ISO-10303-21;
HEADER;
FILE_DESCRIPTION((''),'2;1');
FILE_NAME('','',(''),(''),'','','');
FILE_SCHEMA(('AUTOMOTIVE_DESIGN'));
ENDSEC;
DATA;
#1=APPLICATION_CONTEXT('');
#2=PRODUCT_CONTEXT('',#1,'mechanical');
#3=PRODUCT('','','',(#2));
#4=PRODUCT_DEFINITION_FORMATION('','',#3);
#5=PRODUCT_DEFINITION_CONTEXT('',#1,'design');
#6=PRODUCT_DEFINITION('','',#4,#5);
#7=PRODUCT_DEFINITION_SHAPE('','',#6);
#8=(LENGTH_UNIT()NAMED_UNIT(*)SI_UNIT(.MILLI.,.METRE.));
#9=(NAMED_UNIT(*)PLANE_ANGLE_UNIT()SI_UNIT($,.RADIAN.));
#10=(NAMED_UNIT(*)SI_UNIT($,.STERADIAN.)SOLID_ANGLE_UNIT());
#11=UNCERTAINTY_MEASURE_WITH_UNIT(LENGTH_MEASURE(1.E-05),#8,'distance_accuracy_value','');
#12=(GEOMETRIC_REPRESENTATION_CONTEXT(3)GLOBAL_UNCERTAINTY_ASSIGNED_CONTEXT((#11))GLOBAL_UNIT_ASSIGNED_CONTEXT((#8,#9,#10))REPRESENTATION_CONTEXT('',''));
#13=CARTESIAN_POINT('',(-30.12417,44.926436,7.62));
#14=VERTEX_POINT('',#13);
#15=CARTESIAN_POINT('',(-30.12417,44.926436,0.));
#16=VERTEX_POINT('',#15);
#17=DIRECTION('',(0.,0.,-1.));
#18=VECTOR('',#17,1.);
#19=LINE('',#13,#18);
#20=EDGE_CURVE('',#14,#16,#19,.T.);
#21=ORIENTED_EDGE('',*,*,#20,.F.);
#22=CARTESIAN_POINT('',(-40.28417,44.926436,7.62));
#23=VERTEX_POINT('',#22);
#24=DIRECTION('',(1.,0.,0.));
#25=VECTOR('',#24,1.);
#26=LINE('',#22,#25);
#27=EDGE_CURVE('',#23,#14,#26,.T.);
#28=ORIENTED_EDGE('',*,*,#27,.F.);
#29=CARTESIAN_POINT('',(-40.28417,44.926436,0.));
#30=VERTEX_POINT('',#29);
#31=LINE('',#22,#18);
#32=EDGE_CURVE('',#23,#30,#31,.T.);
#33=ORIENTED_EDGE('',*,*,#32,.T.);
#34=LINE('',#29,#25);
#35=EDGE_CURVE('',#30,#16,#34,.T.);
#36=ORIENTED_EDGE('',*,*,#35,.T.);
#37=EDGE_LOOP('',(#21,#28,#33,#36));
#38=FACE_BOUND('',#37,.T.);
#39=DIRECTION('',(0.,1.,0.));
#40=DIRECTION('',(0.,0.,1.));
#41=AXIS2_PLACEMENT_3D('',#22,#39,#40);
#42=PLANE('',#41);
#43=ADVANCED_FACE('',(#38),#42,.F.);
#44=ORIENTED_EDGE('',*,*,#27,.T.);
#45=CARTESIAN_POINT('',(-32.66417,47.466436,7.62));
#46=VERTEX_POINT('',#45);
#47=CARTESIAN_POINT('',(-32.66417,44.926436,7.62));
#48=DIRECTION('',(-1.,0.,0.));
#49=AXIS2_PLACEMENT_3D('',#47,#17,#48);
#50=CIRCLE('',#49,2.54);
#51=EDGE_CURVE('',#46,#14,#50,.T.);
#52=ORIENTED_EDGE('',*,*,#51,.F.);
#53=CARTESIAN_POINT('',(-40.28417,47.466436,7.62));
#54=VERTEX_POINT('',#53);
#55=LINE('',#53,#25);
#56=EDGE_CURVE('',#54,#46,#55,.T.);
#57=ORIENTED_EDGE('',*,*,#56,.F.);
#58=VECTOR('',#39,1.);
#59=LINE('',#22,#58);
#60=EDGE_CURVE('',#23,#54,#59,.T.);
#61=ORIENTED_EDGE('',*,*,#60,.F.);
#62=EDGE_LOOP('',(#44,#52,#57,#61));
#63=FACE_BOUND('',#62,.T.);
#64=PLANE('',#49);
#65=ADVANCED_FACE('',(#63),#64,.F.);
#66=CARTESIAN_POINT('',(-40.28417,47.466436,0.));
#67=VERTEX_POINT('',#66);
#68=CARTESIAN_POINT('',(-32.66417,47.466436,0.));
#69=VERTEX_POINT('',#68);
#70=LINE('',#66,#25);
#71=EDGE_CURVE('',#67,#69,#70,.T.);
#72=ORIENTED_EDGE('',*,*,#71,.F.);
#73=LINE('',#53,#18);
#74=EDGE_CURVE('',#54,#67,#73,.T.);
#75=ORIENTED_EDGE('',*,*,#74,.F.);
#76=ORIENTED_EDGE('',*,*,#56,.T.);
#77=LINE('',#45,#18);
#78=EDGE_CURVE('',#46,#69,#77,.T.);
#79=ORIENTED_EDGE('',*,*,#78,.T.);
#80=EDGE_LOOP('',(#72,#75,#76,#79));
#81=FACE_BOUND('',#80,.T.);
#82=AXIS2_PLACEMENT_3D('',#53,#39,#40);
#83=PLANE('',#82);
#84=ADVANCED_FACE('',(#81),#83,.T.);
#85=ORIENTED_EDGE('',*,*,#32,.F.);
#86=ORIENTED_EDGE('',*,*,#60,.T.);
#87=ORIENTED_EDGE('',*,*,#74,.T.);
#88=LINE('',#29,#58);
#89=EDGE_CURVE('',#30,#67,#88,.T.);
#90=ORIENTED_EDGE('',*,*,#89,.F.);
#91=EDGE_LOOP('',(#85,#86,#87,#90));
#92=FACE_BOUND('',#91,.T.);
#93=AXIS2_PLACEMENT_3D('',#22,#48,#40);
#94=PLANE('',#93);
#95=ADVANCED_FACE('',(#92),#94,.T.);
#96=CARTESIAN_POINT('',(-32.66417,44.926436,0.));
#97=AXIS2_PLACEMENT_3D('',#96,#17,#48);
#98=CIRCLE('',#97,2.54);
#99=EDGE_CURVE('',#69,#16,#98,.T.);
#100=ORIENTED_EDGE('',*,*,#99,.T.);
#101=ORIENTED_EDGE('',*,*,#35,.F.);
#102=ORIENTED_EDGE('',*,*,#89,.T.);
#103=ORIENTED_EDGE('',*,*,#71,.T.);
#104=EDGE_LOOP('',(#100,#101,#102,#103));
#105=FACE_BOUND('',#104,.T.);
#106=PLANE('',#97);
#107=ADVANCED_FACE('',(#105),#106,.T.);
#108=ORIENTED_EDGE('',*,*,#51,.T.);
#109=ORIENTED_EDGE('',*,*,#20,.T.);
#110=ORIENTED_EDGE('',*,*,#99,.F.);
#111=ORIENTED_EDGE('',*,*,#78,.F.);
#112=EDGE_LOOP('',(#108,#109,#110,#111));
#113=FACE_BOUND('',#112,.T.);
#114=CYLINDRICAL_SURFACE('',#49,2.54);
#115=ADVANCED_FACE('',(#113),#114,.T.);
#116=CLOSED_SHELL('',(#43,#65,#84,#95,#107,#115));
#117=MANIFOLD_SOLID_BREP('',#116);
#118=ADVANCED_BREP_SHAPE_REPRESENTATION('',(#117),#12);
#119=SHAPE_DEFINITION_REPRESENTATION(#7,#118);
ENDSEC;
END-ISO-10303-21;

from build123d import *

# Parameters (mm, degrees)
BOSS_EXTRUDE1_DEPTH = 7.62


with BuildPart() as part:
    # Sketch1 → Boss-Extrude1 (new body)
    with BuildSketch(Plane.XY):
        with BuildLine():
            Line((-40.28417029, 44.926436108), (-30.12417029, 44.926436108))
            ThreePointArc((-30.12417029, 44.926436108), (-30.868119066, 46.722487332), (-32.66417029, 47.466436108))
            Line((-32.66417029, 47.466436108), (-40.28417029, 47.466436108))
            Line((-40.28417029, 47.466436108), (-40.28417029, 44.926436108))
        make_face()
    extrude(amount=BOSS_EXTRUDE1_DEPTH)


solid = part.part
